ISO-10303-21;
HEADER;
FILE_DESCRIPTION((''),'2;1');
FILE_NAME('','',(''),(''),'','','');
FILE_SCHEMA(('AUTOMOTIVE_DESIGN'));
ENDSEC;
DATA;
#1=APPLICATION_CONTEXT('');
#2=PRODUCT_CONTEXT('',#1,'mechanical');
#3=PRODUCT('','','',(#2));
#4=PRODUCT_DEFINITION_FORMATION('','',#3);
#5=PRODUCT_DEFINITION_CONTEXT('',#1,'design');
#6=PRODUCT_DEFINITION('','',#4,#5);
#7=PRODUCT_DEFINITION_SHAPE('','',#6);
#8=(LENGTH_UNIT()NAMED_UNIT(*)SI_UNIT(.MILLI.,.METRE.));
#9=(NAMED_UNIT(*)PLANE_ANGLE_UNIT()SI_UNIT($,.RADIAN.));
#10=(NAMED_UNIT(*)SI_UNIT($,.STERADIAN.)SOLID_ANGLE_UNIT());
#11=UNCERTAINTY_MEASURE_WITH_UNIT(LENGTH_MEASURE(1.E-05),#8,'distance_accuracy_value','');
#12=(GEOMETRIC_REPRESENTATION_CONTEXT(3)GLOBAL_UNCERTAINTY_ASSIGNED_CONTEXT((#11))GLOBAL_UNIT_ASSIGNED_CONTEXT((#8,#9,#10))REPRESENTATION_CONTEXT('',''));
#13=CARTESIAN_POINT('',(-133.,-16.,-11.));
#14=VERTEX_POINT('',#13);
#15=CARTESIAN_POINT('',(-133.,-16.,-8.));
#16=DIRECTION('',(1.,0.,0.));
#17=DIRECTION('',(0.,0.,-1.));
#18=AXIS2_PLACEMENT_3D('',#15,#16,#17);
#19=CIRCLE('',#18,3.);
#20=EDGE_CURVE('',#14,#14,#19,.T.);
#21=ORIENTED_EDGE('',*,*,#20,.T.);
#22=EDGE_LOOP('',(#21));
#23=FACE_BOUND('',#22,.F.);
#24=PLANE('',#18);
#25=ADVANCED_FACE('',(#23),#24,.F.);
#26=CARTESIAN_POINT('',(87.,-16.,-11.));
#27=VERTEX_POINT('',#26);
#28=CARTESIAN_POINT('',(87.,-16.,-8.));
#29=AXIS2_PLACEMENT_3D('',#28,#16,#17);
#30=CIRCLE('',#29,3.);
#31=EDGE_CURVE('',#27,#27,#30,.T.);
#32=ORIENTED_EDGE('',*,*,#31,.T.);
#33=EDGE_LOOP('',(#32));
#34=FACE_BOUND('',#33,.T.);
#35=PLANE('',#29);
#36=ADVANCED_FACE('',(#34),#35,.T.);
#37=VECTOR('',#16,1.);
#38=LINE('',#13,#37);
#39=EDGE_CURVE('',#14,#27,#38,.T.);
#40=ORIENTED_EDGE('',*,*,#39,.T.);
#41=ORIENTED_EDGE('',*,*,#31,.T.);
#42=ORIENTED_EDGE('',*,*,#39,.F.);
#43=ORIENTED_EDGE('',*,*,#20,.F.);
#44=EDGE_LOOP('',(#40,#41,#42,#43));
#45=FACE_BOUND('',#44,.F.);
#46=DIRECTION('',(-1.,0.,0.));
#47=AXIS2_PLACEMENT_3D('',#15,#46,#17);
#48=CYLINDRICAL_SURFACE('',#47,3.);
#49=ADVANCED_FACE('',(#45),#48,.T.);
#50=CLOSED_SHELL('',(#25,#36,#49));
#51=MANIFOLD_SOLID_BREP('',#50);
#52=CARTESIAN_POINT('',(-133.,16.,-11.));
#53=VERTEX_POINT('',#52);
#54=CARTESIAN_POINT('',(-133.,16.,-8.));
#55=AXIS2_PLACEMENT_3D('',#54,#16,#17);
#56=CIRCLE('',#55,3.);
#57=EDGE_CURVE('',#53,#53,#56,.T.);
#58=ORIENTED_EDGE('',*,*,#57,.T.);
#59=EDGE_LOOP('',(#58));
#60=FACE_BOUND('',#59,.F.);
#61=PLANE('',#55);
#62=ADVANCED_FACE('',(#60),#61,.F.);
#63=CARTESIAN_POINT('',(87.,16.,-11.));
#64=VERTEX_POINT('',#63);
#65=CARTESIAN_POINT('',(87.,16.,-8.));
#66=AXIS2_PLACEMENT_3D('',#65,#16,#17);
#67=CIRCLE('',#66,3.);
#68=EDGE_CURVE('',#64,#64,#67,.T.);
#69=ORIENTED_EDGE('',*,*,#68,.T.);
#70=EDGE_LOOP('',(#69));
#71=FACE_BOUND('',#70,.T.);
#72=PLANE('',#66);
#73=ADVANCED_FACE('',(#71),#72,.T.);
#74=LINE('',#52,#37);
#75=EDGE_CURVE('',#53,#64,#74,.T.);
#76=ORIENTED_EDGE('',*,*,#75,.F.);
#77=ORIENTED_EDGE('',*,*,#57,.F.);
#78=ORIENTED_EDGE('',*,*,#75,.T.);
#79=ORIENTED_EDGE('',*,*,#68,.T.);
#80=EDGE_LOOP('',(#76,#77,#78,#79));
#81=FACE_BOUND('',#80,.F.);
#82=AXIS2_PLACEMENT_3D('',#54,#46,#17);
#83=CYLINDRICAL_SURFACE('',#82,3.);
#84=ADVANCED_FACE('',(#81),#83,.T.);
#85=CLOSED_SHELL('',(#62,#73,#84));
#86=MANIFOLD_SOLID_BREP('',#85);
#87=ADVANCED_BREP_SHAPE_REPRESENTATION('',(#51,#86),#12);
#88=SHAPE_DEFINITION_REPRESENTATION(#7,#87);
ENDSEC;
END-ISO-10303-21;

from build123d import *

# Parameters (mm, degrees)
CYLINDER048_R     = 3
CYLINDER048_DEPTH = 220
CYLINDER047_R     = 3
CYLINDER047_DEPTH = 220


with BuildPart() as column004:
    # Cylinder048 → Cylinder048 (new body)
    with BuildSketch(Plane(origin=(-133, 16, -8), x_dir=(0, 0, -1), z_dir=(1, 0, 0))):
        Circle(CYLINDER048_R)
    extrude(amount=CYLINDER048_DEPTH)


with BuildPart() as bottompilars:
    # Cylinder047 → Cylinder047 (new body)
    with BuildSketch(Plane(origin=(-133, -16, -8), x_dir=(0, 0, -1), z_dir=(1, 0, 0))):
        Circle(CYLINDER047_R)
    extrude(amount=CYLINDER047_DEPTH)

    # Fusion001002012029: union Column004
    add(column004.part)


solid = bottompilars.part
